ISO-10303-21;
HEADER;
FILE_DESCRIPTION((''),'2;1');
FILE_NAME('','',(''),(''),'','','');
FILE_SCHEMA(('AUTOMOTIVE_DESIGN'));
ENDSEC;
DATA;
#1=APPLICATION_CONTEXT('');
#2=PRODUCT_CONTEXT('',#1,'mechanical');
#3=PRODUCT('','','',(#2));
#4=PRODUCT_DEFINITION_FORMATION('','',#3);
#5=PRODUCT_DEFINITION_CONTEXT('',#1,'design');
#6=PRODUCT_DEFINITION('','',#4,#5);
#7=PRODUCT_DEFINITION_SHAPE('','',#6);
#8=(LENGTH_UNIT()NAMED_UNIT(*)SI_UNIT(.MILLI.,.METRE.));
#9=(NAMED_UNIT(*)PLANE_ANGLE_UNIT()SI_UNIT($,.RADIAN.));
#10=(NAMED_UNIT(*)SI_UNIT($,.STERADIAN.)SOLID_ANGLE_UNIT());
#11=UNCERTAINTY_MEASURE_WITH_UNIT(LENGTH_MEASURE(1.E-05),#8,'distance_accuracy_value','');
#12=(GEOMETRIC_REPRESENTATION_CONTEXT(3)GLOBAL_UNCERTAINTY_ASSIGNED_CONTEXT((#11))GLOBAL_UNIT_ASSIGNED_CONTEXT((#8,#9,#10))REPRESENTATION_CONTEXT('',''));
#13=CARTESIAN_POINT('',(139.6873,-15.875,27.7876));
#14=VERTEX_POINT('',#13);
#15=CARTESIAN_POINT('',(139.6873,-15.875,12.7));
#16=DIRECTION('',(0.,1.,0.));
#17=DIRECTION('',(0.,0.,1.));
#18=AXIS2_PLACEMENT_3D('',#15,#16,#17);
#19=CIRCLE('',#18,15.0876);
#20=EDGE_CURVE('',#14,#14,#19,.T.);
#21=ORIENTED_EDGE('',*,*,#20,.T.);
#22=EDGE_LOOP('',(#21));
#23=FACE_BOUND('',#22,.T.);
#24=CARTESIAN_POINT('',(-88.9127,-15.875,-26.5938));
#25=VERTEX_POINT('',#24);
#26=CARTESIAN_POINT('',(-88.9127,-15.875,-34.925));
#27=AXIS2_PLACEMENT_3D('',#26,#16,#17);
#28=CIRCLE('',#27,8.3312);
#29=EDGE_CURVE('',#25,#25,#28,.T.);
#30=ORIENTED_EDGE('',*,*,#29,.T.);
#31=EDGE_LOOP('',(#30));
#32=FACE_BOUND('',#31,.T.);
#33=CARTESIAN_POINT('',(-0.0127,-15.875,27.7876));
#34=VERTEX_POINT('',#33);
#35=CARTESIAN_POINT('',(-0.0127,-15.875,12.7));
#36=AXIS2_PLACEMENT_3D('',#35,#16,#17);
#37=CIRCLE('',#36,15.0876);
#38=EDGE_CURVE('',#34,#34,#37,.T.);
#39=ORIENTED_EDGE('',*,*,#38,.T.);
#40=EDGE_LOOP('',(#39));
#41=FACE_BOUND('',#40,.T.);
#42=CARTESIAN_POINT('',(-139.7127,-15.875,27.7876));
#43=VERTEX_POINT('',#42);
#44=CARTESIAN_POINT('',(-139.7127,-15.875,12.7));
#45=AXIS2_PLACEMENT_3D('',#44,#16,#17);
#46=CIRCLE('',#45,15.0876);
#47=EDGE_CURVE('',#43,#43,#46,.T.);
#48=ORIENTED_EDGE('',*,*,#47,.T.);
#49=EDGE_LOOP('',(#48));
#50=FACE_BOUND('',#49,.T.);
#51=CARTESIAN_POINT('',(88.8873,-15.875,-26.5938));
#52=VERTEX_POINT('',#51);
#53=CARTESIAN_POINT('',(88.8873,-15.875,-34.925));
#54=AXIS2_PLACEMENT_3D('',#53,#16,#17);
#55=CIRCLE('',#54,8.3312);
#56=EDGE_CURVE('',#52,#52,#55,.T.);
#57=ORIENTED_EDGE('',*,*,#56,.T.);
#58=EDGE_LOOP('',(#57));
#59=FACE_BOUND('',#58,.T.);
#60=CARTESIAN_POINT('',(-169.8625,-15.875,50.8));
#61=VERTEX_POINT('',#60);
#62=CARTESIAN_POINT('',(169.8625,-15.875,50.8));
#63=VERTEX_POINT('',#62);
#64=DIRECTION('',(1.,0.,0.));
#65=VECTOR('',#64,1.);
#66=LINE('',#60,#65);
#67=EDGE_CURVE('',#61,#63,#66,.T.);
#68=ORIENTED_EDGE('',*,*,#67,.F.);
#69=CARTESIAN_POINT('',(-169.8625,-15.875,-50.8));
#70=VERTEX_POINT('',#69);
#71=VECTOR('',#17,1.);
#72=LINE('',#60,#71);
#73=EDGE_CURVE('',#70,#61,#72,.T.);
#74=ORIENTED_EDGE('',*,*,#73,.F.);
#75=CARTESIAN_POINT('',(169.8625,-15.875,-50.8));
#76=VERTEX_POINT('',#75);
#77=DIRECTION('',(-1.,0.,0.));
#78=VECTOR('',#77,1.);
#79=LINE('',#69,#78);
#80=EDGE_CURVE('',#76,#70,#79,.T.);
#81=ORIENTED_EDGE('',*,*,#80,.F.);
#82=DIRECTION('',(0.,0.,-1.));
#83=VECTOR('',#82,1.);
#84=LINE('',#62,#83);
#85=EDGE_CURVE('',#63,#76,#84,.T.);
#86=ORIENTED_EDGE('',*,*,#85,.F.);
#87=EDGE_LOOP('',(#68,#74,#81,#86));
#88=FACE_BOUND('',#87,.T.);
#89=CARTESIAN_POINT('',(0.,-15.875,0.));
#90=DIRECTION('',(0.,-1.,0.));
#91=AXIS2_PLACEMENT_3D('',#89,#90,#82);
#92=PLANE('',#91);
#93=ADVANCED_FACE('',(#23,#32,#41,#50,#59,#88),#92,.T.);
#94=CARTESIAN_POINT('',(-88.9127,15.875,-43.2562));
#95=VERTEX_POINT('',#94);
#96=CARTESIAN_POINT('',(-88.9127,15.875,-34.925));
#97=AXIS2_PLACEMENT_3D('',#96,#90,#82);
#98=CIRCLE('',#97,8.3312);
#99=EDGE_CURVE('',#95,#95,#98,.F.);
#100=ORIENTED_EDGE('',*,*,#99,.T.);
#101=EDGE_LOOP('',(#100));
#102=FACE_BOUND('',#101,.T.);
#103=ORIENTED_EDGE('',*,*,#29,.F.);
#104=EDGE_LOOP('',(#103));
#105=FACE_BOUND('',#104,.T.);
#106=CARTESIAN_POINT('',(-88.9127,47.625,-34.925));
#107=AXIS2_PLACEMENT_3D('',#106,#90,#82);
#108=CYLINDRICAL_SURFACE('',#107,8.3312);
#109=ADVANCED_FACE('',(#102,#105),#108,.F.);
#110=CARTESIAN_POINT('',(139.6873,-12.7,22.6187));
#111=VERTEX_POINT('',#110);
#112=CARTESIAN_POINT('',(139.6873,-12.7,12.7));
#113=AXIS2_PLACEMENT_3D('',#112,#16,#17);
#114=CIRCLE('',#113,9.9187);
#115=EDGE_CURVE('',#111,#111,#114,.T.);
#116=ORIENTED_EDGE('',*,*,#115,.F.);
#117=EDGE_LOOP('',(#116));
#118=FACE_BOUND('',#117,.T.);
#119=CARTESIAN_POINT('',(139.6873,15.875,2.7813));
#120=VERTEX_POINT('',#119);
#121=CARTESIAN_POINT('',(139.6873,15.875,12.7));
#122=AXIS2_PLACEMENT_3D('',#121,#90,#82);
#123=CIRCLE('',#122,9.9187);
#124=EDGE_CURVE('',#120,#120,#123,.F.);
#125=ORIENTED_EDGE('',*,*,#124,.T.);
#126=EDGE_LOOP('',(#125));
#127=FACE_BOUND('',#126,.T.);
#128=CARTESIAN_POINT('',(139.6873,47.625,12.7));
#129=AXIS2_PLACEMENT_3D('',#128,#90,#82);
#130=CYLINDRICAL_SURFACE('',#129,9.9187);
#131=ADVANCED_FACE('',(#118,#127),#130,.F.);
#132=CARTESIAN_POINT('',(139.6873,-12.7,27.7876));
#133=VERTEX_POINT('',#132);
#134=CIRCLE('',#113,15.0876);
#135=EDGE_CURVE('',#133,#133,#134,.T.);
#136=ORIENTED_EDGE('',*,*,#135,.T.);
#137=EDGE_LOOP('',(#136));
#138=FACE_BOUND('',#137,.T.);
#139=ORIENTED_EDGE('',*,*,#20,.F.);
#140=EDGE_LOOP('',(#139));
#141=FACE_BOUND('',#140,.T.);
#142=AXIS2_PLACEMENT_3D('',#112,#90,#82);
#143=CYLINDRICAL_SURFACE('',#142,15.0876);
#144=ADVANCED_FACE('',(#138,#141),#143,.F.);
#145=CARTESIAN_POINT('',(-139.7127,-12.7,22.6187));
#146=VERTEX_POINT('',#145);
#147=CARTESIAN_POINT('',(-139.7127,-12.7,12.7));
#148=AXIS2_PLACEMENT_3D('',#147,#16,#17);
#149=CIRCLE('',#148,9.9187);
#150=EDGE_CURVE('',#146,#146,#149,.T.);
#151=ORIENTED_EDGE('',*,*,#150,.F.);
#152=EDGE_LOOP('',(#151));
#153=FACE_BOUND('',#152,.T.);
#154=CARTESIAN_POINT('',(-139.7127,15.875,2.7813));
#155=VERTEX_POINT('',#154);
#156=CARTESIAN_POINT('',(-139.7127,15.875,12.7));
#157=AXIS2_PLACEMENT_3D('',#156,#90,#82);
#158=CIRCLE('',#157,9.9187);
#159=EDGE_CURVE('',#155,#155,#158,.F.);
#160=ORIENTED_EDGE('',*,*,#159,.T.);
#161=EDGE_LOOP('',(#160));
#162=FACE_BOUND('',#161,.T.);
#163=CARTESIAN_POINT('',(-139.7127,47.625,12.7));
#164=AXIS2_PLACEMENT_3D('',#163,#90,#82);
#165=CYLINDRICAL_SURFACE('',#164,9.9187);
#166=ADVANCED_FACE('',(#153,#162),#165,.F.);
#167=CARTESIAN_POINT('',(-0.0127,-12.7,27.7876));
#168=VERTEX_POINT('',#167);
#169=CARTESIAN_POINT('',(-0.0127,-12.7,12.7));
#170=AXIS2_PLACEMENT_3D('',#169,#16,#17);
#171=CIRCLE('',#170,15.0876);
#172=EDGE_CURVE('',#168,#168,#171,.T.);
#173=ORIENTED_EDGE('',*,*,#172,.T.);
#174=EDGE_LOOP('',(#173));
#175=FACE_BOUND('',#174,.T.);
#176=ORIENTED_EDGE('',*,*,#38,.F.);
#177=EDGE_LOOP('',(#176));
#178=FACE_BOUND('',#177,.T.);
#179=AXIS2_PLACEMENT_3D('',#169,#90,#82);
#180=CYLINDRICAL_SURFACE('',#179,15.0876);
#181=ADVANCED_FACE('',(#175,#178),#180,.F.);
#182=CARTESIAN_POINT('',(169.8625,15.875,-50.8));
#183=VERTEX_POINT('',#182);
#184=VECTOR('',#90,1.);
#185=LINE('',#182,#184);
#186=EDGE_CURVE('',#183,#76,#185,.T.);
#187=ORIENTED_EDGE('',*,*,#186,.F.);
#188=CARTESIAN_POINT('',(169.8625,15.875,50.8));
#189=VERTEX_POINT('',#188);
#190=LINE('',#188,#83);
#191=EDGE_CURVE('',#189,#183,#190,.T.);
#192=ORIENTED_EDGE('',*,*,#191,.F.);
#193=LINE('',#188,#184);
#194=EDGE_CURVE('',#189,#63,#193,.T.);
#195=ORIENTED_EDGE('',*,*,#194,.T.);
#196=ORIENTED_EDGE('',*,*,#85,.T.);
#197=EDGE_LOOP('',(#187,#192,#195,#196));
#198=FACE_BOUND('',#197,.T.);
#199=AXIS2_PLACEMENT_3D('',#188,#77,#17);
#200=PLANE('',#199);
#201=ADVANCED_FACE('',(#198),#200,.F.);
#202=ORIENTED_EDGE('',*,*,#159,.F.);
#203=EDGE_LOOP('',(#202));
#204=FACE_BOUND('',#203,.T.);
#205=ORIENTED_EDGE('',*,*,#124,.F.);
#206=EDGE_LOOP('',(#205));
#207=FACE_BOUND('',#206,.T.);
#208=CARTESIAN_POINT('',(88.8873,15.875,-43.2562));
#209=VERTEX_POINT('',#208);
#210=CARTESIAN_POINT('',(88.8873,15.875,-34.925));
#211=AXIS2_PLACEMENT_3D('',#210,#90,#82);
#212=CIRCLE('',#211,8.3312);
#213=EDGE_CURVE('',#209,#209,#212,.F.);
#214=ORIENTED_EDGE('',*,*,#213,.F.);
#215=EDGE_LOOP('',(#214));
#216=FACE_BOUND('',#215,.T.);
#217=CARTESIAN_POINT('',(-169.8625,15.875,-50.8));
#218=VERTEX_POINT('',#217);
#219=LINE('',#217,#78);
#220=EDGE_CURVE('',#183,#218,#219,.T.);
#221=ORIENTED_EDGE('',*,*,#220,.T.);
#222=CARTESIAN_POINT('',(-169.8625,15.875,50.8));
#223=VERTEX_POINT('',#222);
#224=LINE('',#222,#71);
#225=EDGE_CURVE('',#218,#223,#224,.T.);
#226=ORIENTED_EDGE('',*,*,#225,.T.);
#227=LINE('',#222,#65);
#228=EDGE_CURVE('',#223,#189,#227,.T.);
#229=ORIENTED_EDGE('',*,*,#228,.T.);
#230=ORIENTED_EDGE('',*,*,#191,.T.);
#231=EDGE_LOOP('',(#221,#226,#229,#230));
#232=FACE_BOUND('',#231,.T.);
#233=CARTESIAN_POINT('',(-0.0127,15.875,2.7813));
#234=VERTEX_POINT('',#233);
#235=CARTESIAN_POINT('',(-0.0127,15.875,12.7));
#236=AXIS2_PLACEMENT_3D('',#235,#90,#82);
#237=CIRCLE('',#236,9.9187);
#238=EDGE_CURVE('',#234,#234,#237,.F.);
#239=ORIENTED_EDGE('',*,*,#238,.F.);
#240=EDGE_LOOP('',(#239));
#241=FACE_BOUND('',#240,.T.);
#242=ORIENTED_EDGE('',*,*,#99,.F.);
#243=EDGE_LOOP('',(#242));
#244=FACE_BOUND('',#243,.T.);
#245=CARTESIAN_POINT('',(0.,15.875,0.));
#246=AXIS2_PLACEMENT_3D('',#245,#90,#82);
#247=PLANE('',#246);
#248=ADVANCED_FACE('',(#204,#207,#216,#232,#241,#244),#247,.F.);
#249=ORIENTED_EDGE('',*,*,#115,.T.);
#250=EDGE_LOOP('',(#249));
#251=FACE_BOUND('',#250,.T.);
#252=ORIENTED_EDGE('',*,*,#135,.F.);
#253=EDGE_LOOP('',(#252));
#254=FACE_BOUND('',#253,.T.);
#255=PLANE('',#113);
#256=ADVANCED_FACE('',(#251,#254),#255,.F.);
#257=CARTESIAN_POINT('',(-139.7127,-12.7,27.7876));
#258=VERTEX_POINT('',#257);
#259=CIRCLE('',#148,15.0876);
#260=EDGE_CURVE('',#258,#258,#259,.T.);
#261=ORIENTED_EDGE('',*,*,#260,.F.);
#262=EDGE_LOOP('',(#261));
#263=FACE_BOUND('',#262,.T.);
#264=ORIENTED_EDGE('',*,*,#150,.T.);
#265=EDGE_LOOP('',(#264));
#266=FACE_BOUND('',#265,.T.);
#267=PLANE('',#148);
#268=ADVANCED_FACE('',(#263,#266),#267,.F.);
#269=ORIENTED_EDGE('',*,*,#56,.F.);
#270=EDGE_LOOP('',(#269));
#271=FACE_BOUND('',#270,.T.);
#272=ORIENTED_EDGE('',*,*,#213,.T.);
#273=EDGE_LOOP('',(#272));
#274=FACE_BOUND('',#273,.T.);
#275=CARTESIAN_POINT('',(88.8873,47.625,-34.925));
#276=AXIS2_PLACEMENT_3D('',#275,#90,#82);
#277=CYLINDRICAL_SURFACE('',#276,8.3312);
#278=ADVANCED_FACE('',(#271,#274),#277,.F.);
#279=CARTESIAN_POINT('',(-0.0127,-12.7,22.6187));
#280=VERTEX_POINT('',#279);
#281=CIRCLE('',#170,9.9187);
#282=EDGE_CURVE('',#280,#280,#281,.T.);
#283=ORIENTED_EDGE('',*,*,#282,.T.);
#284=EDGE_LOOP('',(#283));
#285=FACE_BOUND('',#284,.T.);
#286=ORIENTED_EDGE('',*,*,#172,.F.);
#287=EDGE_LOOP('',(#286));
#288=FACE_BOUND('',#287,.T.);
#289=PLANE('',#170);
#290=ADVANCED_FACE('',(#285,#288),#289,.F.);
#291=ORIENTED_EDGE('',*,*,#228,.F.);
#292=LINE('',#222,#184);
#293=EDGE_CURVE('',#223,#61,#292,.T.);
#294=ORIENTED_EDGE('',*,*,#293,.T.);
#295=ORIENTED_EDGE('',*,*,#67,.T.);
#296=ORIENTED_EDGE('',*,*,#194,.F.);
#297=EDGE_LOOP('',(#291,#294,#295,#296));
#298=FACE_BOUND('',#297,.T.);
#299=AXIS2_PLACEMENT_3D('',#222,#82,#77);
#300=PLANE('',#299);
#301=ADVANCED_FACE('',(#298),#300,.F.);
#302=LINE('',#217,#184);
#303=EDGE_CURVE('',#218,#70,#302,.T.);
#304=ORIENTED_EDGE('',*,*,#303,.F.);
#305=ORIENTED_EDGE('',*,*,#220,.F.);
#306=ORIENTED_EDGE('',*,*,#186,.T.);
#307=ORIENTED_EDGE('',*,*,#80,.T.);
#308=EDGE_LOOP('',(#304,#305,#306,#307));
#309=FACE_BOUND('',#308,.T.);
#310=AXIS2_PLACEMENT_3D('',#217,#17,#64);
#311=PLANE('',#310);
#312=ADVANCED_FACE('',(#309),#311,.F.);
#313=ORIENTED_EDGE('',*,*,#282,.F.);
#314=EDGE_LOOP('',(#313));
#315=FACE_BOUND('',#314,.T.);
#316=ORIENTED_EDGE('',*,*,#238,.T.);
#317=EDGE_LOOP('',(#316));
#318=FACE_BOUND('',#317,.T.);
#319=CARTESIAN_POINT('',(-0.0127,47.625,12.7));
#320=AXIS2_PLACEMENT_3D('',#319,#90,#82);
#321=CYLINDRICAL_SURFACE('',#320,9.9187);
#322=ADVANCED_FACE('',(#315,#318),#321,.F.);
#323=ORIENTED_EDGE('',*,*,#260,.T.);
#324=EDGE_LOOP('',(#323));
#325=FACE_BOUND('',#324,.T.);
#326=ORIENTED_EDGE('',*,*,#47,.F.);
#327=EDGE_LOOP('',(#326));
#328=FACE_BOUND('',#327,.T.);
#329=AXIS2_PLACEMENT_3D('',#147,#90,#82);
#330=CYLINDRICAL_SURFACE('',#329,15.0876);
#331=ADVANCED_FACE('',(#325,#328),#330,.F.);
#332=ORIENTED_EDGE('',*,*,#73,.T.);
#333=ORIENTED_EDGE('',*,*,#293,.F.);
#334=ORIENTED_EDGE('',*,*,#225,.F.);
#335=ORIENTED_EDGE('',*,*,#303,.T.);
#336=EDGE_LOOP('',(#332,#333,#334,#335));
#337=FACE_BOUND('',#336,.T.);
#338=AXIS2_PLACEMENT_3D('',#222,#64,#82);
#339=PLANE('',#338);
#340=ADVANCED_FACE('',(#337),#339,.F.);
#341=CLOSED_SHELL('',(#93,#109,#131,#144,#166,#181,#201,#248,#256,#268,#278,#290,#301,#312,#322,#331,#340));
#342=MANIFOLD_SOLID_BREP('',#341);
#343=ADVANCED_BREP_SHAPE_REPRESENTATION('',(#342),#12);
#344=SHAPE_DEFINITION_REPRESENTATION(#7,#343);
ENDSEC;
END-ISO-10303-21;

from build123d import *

# Parameters (mm, degrees)
SKETCH1_W           = 339.725
SKETCH1_H           = 101.6
BOSS_EXTRUDE1_DEPTH = 15.875
CUT_EXTRUDE2_START  = -15.875
SKETCH2_R           = 9.9187
CUT_EXTRUDE2_DEPTH  = 63.5
CUT_EXTRUDE4_START  = -15.875
SKETCH3_R           = 15.0876
CUT_EXTRUDE4_DEPTH  = 3.175
CUT_EXTRUDE6_START  = -15.875
SKETCH4_R           = 8.3312
CUT_EXTRUDE6_DEPTH  = 63.5


with BuildPart() as part:
    # Sketch1 → Boss-Extrude1 (new, symmetric)
    with BuildSketch(Plane(origin=(0, 0, 0), x_dir=(1, 0, 0), z_dir=(0, 1, 0))):
        Rectangle(SKETCH1_W, SKETCH1_H)
    extrude(amount=BOSS_EXTRUDE1_DEPTH, both=True)

    # Sketch2 → Cut-Extrude2 (cut)
    with BuildSketch(Plane(origin=(0, 0, 0), x_dir=(1, 0, 0), z_dir=(0, 1, 0)).offset(CUT_EXTRUDE2_START)):
        with Locations(Location((-139.7127, -12.7, 0), (0, 0, 90))):
            Circle(SKETCH2_R)
        with Locations(Location((-0.0127, -12.7, 0), (0, 0, 90))):
            Circle(SKETCH2_R)
        with Locations(Location((139.6873, -12.7, 0), (0, 0, 90))):
            Circle(SKETCH2_R)
    extrude(amount=CUT_EXTRUDE2_DEPTH, mode=Mode.SUBTRACT)

    # Sketch3 → Cut-Extrude4 (cut)
    with BuildSketch(Plane(origin=(0, 0, 0), x_dir=(1, 0, 0), z_dir=(0, 1, 0)).offset(CUT_EXTRUDE4_START)):
        with Locations(Location((-139.7127, -12.7, 0), (0, 0, 270))):
            Circle(SKETCH3_R)
        with Locations(Location((-0.0127, -12.7, 0), (0, 0, 270))):
            Circle(SKETCH3_R)
        with Locations(Location((139.6873, -12.7, 0), (0, 0, 270))):
            Circle(SKETCH3_R)
    extrude(amount=CUT_EXTRUDE4_DEPTH, mode=Mode.SUBTRACT)

    # Sketch4 → Cut-Extrude6 (cut)
    with BuildSketch(Plane(origin=(0, 0, 0), x_dir=(1, 0, 0), z_dir=(0, 1, 0)).offset(CUT_EXTRUDE6_START)):
        with Locations(Location((-88.9127, 34.925, 0), (0, 0, 90))):
            Circle(SKETCH4_R)
        with Locations(Location((88.8873, 34.925, 0), (0, 0, 90))):
            Circle(SKETCH4_R)
    extrude(amount=CUT_EXTRUDE6_DEPTH, mode=Mode.SUBTRACT)


solid = part.part
